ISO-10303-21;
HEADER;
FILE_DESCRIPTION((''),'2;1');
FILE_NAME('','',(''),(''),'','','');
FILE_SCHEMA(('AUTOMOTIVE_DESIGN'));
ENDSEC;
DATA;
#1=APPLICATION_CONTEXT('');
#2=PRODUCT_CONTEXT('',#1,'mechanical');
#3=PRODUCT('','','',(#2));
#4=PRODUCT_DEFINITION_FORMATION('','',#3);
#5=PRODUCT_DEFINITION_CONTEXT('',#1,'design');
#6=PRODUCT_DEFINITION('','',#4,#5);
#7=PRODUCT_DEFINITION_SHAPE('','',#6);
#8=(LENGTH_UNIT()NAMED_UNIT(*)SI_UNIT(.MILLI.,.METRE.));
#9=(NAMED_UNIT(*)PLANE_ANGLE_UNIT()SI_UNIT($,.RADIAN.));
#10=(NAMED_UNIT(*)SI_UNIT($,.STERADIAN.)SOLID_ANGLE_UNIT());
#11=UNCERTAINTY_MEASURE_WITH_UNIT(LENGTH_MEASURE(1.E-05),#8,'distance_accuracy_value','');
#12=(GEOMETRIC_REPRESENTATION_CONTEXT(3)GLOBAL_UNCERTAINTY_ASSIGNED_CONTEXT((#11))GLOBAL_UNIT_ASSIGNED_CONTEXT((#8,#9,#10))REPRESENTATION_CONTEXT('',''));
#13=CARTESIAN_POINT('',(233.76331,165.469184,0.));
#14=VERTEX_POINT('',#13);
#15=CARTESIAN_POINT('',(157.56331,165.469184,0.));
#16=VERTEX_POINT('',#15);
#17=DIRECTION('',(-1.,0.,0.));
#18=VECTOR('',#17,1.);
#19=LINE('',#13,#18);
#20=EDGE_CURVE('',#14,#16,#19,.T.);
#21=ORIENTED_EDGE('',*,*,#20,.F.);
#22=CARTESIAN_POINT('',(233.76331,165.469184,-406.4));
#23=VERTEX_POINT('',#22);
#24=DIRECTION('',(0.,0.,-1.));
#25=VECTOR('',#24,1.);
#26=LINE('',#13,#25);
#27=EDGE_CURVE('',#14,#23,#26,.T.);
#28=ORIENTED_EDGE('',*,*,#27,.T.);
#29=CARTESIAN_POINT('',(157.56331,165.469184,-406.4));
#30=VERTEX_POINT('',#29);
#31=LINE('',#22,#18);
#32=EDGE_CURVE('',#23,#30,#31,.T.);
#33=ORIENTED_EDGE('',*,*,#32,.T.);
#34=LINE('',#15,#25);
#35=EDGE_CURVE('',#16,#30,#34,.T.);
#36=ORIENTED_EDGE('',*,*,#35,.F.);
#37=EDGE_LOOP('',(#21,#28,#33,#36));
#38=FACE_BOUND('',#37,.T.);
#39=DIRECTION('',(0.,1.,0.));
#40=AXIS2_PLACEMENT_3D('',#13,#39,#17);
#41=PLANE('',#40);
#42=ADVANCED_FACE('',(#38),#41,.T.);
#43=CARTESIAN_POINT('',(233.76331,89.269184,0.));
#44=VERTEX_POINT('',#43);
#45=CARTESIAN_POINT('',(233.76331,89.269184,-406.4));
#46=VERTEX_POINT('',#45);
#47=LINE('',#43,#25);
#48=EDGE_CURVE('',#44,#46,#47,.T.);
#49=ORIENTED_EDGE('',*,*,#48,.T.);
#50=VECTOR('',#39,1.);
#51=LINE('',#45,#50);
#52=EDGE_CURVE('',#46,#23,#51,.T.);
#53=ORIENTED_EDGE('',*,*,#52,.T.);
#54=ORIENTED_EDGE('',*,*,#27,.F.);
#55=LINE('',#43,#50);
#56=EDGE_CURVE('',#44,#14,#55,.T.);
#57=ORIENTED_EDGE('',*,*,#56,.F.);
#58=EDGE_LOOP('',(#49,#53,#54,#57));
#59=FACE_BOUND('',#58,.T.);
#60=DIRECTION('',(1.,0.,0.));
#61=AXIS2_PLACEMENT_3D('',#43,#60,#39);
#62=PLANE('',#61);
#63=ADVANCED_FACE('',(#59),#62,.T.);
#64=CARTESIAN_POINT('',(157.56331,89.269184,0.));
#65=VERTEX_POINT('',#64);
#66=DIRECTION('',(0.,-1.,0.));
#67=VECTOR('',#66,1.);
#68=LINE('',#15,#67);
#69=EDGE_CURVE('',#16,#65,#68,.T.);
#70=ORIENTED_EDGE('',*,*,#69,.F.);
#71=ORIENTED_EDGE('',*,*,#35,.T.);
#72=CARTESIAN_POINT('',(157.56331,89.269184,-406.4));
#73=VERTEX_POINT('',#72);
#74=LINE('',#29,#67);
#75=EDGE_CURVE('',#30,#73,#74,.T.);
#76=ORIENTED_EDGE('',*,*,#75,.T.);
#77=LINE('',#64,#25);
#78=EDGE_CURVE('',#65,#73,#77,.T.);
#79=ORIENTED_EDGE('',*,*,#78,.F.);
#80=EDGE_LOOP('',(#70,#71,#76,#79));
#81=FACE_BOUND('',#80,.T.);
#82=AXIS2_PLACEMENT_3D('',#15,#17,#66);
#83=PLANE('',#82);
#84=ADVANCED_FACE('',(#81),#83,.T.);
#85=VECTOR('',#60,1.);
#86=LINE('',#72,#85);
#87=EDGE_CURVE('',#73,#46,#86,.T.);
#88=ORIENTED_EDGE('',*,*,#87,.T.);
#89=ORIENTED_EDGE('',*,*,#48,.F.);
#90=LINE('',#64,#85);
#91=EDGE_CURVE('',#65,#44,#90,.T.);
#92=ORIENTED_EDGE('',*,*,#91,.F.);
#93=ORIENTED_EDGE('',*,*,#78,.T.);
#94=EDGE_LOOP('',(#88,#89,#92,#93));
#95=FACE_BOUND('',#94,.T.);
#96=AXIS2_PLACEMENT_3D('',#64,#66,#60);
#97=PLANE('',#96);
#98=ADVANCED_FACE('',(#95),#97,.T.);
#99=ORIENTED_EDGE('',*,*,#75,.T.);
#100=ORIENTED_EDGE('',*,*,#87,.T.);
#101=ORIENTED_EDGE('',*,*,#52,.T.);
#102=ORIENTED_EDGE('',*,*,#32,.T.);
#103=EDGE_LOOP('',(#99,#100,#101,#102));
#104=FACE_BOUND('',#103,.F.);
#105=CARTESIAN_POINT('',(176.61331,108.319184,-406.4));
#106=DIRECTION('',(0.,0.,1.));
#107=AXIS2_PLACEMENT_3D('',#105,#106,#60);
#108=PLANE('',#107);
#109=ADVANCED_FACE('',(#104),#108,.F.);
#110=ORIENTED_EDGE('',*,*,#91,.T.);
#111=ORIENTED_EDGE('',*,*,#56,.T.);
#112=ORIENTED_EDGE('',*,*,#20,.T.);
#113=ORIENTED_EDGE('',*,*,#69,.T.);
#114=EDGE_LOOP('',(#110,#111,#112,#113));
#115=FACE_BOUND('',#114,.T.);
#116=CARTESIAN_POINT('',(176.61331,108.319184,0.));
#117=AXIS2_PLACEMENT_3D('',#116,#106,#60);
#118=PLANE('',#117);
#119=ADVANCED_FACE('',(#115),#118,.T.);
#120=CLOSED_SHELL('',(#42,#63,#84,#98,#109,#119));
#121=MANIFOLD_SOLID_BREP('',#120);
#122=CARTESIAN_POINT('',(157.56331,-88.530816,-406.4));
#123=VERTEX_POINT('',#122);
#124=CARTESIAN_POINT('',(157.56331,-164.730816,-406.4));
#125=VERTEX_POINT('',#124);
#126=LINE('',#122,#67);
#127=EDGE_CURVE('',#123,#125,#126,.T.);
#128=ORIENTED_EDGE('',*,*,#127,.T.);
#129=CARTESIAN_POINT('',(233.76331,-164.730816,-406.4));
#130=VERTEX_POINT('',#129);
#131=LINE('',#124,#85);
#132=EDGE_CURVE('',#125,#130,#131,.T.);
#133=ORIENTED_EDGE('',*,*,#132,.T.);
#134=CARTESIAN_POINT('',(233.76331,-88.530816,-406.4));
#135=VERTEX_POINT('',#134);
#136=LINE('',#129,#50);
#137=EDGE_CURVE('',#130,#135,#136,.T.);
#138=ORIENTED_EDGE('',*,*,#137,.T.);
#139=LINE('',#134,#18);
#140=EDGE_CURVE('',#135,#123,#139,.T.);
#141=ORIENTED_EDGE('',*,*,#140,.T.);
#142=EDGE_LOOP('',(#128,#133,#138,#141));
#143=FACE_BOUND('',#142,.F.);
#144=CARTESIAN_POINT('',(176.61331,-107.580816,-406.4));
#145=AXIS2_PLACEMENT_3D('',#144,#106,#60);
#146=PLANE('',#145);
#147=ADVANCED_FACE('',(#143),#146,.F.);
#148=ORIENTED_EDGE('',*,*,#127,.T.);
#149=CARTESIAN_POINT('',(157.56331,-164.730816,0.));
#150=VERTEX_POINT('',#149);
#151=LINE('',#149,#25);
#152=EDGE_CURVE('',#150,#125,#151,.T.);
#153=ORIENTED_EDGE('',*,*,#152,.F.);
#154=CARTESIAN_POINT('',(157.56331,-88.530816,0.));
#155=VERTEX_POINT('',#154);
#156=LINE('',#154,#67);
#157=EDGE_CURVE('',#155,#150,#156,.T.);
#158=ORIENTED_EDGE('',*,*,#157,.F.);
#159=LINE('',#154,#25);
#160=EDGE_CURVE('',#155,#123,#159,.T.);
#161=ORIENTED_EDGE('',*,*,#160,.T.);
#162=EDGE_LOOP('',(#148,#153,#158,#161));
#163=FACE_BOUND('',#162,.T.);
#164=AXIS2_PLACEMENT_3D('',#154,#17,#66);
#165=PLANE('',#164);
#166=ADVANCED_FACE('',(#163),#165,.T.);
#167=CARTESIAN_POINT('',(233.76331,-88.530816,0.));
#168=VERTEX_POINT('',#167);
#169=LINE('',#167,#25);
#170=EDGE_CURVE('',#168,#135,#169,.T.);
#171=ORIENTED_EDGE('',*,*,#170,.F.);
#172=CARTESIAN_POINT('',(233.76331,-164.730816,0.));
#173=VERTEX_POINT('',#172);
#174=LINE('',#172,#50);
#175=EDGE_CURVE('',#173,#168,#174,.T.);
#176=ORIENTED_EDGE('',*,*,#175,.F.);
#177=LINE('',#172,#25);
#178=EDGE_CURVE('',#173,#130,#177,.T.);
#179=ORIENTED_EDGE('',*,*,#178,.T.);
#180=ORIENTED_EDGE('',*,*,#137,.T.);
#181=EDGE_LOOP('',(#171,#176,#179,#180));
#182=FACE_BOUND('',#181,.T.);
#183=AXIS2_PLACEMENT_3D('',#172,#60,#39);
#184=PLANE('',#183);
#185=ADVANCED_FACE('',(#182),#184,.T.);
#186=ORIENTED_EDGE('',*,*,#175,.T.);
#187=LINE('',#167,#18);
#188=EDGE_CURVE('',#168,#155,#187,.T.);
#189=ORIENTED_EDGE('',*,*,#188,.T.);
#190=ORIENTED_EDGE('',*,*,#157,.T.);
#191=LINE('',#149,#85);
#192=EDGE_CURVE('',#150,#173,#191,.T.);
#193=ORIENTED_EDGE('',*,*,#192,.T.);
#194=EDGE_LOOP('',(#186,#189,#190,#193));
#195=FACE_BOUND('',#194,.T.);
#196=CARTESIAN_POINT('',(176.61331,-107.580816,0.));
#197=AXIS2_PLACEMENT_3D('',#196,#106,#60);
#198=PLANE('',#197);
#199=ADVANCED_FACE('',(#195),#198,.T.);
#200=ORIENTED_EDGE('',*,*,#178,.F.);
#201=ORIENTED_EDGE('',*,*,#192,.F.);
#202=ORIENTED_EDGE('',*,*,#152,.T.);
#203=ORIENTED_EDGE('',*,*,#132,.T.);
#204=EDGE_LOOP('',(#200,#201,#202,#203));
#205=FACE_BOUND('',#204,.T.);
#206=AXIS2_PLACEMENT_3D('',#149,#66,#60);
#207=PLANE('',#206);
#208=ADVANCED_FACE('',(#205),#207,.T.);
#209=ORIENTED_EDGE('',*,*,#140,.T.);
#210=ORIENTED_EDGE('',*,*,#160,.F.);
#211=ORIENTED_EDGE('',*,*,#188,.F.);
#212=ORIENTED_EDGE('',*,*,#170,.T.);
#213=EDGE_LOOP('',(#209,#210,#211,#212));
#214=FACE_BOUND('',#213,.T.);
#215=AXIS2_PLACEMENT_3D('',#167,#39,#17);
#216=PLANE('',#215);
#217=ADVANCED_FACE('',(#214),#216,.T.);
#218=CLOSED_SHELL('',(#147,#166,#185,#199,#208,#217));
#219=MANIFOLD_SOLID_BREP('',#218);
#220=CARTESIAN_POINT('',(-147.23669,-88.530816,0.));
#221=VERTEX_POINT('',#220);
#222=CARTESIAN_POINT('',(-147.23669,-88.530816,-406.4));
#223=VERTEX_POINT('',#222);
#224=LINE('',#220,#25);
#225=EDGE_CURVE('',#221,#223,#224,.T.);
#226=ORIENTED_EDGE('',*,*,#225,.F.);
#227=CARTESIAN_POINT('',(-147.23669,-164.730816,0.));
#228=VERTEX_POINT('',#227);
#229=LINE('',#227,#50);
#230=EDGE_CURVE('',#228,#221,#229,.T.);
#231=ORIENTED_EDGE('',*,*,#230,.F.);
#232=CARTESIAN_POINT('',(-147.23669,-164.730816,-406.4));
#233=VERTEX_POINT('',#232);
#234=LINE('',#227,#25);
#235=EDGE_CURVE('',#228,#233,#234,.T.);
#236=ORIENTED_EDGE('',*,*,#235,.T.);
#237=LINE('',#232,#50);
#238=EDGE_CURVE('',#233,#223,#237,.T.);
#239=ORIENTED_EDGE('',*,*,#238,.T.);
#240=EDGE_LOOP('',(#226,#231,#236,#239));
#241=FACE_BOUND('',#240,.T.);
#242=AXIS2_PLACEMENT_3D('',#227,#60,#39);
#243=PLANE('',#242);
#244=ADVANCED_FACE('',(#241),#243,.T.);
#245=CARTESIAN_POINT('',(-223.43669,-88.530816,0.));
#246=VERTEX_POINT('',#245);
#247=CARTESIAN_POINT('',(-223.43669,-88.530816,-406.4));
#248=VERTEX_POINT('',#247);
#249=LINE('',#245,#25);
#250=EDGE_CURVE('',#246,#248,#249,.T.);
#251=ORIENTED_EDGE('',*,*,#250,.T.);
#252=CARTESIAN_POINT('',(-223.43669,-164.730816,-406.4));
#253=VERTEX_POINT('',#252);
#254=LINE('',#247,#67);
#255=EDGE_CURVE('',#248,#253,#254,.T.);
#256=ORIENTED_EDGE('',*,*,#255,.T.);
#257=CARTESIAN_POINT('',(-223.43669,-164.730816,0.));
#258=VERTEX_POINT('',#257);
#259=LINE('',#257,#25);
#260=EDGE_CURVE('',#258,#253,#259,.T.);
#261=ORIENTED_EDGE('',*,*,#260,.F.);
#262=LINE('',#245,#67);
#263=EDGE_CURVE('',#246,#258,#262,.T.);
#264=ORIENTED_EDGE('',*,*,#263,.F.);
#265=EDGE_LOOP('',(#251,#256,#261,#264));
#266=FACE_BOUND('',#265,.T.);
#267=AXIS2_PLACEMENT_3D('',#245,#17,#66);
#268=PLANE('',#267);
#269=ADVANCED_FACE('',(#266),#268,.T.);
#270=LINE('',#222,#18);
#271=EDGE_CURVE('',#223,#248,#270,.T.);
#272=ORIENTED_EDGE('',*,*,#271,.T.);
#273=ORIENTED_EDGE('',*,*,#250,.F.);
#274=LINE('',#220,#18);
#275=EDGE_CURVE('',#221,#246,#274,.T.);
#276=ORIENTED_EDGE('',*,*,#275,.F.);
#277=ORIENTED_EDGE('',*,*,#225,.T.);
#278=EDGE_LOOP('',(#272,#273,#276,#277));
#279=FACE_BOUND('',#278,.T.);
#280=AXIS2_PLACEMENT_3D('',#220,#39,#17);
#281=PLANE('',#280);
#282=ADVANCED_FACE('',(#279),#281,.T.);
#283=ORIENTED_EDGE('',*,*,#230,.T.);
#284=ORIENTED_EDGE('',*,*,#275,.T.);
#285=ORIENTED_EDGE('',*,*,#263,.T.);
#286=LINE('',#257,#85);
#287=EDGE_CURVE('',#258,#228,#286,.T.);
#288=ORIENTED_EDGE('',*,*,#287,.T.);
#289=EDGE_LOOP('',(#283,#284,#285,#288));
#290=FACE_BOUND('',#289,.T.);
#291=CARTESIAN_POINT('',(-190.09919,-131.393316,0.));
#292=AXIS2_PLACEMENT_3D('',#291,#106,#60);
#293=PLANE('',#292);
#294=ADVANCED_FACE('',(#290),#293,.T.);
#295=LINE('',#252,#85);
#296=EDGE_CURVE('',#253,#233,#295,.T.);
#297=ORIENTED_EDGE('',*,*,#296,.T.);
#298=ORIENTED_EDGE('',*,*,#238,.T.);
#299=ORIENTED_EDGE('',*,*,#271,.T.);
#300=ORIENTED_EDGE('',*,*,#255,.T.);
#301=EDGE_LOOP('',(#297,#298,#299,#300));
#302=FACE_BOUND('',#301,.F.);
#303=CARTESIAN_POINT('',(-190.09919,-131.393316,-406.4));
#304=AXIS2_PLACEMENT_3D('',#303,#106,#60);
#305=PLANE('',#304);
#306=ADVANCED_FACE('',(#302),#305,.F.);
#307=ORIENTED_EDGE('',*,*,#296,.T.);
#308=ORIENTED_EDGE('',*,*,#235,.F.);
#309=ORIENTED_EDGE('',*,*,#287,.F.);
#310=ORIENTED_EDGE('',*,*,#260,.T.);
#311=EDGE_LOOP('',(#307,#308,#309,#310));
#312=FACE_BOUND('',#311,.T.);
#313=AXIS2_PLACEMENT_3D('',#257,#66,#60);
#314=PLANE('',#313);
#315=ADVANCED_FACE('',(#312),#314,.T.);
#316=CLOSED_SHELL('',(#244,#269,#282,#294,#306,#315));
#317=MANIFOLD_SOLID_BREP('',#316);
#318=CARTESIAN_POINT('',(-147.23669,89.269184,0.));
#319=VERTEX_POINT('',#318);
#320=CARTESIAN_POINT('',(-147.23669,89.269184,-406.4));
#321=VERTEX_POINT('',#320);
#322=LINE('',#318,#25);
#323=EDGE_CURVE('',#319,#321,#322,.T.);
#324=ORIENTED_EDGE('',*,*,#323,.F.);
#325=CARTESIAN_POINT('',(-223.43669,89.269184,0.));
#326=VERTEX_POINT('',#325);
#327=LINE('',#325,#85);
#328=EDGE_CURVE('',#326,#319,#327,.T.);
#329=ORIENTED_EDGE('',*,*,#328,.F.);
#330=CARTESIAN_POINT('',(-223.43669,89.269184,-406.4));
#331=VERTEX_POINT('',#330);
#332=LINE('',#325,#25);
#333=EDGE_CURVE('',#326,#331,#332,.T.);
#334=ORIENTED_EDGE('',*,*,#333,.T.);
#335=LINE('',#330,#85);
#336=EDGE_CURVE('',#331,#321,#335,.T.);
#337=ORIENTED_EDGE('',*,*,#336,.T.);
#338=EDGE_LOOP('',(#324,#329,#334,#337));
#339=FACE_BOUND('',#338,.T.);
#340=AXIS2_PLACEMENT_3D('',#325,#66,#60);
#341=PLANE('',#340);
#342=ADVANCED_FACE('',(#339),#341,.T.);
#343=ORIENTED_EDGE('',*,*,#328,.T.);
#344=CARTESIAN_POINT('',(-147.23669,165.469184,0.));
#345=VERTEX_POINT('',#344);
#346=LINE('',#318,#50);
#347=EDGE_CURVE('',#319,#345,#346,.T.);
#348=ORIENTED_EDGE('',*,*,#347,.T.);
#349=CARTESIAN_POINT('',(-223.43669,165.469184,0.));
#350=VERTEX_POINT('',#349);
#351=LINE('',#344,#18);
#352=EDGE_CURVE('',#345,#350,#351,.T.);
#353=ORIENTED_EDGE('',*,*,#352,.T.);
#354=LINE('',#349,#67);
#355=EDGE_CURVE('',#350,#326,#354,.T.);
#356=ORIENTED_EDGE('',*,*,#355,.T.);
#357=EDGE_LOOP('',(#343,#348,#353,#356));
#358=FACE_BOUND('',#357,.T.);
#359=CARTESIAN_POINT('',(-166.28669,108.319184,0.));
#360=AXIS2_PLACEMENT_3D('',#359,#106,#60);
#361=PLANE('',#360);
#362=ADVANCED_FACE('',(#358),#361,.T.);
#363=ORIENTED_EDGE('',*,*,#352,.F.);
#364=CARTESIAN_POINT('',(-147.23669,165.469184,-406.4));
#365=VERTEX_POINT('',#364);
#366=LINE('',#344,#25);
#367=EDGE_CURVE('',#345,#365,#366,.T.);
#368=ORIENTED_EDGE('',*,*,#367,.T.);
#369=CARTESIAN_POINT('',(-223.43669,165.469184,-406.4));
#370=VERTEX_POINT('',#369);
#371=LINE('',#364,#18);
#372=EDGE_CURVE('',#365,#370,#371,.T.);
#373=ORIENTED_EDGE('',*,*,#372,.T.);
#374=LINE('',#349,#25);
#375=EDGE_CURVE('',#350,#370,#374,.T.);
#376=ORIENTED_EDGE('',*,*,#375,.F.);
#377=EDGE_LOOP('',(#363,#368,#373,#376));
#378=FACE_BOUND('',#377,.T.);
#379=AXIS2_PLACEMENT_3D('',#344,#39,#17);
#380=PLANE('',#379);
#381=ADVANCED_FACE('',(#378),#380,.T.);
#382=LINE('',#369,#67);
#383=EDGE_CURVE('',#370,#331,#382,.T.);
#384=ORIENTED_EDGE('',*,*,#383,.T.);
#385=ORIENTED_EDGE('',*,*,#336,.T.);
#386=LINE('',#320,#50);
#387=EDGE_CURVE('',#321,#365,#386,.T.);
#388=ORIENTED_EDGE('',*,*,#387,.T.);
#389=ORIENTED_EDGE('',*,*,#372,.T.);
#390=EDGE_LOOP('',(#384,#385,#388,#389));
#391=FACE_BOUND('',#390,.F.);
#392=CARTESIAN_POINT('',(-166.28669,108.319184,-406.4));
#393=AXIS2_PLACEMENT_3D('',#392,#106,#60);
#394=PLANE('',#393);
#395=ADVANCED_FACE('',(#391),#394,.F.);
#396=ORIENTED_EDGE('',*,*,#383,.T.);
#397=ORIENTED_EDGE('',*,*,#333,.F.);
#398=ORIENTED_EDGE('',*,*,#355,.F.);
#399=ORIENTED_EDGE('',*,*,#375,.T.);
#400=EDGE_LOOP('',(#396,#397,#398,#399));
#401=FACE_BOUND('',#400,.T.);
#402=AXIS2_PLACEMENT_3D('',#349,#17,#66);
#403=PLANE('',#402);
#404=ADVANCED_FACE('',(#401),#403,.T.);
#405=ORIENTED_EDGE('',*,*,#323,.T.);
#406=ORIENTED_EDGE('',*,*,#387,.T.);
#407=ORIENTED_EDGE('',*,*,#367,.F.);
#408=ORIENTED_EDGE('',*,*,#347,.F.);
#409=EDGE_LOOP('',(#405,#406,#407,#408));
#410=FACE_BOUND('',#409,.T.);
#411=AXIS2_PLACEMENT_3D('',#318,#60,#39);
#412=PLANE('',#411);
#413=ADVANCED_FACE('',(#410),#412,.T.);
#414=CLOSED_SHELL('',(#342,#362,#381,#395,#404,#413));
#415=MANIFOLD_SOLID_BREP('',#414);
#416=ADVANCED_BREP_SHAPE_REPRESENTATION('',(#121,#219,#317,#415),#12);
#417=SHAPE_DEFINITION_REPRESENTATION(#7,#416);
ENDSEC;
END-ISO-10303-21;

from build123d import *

# Parameters (mm, degrees)
F0_W     = 38.1
F0_H     = 38.1
F1_DEPTH = 406.4


with BuildPart() as f1:
    # F0 (on Top) → F1 (new body)
    with BuildSketch(Plane.XY):
        Polygon((-185.33669, -126.630816), (-185.33669, -88.530816), (-223.43669, -88.530816), (-223.43669, -164.730816), (-147.23669, -164.730816), (-147.23669, -126.630816), align=None)
        with Locations((-166.28669, -107.580816)):
            Rectangle(F0_W, F0_H)
        with Locations((176.61331, -107.580816)):
            Rectangle(F0_W, F0_H)
        Polygon((233.76331, -88.530816), (195.66331, -88.530816), (195.66331, -126.630816), (157.56331, -126.630816), (157.56331, -164.730816), (233.76331, -164.730816), align=None)
        with Locations((176.61331, 108.319184)):
            Rectangle(F0_W, F0_H)
        Polygon((157.56331, 165.469184), (157.56331, 127.369184), (195.66331, 127.369184), (195.66331, 89.269184), (233.76331, 89.269184), (233.76331, 165.469184), align=None)
        with Locations((-166.28669, 108.319184)):
            Rectangle(F0_W, F0_H)
        Polygon((-185.33669, 89.269184), (-185.33669, 127.369184), (-147.23669, 127.369184), (-147.23669, 165.469184), (-223.43669, 165.469184), (-223.43669, 89.269184), align=None)
    extrude(amount=-F1_DEPTH)


solid = f1.part
